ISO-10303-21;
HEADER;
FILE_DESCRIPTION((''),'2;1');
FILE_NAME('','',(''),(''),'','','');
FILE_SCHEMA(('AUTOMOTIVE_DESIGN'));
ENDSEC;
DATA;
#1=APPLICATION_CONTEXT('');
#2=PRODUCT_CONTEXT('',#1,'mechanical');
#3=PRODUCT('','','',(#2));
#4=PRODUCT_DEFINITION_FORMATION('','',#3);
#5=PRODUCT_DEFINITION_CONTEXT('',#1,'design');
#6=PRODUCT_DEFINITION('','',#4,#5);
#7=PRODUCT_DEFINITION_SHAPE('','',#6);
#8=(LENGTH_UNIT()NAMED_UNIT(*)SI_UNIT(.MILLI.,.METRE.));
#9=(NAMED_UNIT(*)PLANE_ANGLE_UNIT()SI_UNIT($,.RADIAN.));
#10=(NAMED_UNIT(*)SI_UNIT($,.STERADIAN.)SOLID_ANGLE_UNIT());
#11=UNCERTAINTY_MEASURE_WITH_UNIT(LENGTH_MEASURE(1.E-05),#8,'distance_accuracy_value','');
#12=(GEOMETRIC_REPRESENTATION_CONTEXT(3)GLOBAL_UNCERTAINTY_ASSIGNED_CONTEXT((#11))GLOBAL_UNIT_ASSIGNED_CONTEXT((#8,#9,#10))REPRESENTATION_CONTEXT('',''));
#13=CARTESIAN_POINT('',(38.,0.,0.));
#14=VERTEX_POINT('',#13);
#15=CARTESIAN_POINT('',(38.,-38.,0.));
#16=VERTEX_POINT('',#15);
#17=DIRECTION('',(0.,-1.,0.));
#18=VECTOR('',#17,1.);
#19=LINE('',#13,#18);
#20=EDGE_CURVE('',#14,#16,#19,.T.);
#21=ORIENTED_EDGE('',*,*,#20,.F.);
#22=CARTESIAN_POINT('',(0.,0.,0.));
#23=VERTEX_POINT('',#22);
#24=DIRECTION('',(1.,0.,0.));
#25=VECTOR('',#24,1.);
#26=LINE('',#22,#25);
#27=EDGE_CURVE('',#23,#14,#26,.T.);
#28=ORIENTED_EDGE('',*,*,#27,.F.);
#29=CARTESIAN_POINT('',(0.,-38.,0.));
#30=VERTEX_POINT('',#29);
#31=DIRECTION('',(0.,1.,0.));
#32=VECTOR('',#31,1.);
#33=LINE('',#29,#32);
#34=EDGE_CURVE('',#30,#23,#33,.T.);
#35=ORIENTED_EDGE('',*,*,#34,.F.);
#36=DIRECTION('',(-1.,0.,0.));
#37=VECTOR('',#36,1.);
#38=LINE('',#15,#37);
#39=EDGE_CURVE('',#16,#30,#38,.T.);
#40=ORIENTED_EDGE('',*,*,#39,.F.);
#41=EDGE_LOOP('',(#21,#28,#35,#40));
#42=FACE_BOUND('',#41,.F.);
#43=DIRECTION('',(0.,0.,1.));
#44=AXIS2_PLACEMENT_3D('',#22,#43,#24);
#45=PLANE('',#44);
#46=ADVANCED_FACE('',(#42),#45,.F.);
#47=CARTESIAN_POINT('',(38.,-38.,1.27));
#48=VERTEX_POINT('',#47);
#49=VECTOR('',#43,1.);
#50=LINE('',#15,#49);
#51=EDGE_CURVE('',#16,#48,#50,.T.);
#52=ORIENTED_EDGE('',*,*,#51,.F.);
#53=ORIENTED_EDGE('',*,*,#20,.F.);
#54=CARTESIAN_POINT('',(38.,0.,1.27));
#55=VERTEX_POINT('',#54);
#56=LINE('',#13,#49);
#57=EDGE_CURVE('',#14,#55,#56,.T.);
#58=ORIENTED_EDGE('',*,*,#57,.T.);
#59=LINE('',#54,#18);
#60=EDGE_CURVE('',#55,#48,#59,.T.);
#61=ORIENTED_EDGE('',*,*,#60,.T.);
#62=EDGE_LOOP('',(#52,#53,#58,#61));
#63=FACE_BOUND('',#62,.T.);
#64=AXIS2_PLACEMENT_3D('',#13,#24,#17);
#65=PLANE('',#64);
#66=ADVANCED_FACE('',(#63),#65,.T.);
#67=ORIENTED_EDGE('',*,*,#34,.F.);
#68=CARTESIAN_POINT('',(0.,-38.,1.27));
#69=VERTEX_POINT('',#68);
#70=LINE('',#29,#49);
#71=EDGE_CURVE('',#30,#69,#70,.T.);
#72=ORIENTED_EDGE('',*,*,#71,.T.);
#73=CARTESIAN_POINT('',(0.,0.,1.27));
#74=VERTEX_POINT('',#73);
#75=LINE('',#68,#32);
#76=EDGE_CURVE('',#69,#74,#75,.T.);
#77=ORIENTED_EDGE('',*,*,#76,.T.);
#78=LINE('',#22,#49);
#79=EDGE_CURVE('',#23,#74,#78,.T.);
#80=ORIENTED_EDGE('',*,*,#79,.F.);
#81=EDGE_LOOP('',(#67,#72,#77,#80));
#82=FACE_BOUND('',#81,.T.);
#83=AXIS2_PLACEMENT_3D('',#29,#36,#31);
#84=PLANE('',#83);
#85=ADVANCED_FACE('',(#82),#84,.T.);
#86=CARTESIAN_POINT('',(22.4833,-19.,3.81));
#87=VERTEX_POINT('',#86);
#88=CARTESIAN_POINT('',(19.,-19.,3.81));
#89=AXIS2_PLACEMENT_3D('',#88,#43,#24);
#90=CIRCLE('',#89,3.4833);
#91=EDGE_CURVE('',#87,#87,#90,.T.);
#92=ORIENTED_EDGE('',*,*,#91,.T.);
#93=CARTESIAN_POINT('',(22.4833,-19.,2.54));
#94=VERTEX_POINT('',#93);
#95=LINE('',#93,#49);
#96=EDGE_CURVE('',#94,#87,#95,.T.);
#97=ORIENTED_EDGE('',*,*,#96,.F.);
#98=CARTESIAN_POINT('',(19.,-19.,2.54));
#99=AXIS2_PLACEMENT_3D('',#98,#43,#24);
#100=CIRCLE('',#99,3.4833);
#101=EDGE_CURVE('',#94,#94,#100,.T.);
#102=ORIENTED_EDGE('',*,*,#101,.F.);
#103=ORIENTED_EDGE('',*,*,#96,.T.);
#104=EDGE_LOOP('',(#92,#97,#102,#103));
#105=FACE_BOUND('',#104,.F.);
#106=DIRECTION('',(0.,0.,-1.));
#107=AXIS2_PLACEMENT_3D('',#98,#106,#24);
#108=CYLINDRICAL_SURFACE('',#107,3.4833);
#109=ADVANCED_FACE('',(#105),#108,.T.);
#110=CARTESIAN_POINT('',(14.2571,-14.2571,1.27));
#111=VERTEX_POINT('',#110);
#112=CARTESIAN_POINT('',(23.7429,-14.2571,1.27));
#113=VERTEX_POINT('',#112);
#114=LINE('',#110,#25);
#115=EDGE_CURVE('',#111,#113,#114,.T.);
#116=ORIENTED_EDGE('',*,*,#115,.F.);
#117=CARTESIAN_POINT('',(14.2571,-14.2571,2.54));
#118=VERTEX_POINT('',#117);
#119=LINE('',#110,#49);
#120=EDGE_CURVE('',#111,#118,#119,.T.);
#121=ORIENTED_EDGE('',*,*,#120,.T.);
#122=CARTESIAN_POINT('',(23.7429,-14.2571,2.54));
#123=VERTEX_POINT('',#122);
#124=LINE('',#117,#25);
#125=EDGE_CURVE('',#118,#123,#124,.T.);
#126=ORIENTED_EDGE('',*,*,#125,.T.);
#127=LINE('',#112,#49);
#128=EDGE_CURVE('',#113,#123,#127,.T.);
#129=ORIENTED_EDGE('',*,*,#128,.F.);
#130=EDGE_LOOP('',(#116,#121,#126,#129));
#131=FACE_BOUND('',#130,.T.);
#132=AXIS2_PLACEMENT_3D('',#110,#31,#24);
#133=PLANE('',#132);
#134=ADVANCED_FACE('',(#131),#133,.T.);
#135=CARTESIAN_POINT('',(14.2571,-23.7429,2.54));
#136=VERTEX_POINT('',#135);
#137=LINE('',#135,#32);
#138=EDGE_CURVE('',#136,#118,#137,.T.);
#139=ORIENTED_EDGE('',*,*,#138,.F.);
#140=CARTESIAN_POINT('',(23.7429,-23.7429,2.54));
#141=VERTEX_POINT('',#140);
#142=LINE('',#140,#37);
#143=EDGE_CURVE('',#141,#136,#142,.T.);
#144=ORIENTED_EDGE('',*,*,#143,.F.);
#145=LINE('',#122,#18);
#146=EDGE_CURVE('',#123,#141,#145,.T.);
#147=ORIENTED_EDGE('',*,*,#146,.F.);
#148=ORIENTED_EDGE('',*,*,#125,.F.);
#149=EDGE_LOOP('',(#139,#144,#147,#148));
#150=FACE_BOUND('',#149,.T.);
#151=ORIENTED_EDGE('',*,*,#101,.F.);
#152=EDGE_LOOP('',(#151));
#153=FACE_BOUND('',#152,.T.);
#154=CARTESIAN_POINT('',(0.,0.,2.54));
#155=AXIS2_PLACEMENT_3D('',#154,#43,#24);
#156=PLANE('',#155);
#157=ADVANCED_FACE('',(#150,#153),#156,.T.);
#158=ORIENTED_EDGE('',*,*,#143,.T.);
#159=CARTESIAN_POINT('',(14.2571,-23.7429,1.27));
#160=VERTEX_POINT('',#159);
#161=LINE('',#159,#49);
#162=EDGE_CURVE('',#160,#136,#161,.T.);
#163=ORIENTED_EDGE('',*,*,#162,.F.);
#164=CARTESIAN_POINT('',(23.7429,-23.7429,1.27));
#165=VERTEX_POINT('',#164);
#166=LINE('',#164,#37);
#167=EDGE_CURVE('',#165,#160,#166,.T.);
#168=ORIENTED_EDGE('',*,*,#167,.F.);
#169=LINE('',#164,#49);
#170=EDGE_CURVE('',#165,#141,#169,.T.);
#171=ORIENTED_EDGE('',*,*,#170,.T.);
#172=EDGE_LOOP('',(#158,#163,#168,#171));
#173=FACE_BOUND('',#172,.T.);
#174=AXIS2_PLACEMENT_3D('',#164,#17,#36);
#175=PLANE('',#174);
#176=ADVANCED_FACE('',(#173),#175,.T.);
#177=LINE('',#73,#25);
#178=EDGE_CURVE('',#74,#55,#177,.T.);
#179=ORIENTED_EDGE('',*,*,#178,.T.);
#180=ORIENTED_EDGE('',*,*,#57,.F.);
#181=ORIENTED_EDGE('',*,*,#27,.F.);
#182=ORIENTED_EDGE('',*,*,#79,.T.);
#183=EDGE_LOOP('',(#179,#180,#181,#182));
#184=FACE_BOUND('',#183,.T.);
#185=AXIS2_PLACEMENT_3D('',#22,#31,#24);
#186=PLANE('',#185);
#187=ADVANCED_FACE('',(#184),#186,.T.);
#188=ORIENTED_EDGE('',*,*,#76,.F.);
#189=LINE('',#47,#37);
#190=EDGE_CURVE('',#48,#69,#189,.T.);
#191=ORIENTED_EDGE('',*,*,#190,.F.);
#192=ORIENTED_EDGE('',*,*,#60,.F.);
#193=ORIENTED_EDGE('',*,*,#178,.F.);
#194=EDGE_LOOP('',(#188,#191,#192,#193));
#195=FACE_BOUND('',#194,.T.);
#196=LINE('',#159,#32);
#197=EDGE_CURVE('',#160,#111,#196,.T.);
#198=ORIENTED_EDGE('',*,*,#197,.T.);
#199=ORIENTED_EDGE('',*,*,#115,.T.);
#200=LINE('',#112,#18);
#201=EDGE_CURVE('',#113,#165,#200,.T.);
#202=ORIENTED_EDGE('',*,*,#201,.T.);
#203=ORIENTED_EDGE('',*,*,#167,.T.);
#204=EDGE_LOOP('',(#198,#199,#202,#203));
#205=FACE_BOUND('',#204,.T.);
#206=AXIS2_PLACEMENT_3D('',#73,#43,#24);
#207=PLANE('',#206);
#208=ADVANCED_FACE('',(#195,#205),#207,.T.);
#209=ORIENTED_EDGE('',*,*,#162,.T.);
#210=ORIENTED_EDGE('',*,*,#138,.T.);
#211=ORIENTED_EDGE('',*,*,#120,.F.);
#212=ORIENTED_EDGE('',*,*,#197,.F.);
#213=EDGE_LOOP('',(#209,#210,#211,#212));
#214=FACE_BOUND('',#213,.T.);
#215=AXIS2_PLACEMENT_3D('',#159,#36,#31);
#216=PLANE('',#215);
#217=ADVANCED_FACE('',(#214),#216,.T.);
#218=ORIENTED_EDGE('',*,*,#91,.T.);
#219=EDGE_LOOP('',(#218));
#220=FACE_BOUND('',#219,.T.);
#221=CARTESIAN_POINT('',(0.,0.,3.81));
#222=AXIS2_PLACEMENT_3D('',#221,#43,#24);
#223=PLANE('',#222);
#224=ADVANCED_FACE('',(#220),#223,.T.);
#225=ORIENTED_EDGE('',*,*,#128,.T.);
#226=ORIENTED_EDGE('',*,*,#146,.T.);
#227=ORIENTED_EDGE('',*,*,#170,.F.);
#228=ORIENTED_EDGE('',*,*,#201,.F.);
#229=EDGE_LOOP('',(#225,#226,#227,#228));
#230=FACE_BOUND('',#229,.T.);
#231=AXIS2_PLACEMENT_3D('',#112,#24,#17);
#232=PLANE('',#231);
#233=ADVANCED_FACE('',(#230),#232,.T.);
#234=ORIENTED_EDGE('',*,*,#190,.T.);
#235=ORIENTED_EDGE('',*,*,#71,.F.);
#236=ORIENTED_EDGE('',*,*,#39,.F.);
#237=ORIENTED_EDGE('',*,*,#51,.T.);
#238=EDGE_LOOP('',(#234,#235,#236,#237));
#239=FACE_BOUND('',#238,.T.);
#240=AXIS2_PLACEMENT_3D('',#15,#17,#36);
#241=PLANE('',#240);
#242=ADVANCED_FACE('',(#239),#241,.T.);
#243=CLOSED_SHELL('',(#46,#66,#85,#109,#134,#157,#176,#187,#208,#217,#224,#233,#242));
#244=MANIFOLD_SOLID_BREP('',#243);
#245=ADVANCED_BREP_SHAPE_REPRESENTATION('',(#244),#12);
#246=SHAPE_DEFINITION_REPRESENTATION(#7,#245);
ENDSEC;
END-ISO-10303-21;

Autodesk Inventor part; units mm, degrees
ref_plane "YZ Plane" through (0, 0, 0) normal (1, 0, 0) x (0, 1, 0)
ref_plane "XZ Plane" through (0, 0, 0) normal (0, 1, 0) x (-1, 0, 0)
ref_plane "XY Plane" through (0, 0, 0) normal (0, 0, 1) x (1, 0, 0)
sketch "Sketch1" plane through (0, 0, 0) normal (0, 0, 1) x (1, 0, 0)
  line L0 (0, 0) -> (38, 0)
  line L1 (38, 0) -> (38, -38)
  line L2 (38, -38) -> (0, -38)
  line L3 (0, -38) -> (0, 0)
  dimension "d0" = 38
  dimension "d1" = 38
extrude "Extrusion1" add sketch "Sketch1" along normal blind 1.27
sketch "Sketch2" plane through (0, 0, 1.27) normal (0, 0, 1) x (1, 0, 0)
  line L0 (0, -38) -> (38, -38) construction
  line L1 (0, 0) -> (38, -38) construction
  line L2 (38, -38) -> (38, 0) construction
  line L3 (38, 0) -> (0, -38) construction
  line L4 (14.2571, -14.2571) -> (23.7429, -14.2571)
  line L5 (23.7429, -14.2571) -> (23.7429, -23.7429)
  line L6 (23.7429, -23.7429) -> (14.2571, -23.7429)
  line L7 (14.2571, -23.7429) -> (14.2571, -14.2571)
  line L8 (14.2571, -14.2571) -> (23.7429, -23.7429) construction
  line L9 (23.7429, -14.2571) -> (14.2571, -23.7429) construction
  point P0 (19, -19)
extrude "Extrusion2" add sketch "Sketch2" along normal blind 1.27
sketch "Sketch3" plane through (0, 0, 2.54) normal (0, 0, 1) x (1, 0, 0)
  line L0 (23.7429, -14.2571) -> (14.2571, -14.2571) construction
  line L1 (23.7429, -23.7429) -> (23.7429, -14.2571) construction
  line L2 (14.2571, -14.2571) -> (23.7429, -23.7429) construction
  line L3 (14.2571, -14.2571) -> (14.2571, -23.7429) construction
  line L4 (23.7429, -14.2571) -> (14.2571, -23.7429) construction
  circle A0 centre (19, -19) radius 3.4833
  point P0 (0, 0)
extrude "Extrusion3" add sketch "Sketch3" along normal blind 1.27
properties part number "Nav_Camera"
